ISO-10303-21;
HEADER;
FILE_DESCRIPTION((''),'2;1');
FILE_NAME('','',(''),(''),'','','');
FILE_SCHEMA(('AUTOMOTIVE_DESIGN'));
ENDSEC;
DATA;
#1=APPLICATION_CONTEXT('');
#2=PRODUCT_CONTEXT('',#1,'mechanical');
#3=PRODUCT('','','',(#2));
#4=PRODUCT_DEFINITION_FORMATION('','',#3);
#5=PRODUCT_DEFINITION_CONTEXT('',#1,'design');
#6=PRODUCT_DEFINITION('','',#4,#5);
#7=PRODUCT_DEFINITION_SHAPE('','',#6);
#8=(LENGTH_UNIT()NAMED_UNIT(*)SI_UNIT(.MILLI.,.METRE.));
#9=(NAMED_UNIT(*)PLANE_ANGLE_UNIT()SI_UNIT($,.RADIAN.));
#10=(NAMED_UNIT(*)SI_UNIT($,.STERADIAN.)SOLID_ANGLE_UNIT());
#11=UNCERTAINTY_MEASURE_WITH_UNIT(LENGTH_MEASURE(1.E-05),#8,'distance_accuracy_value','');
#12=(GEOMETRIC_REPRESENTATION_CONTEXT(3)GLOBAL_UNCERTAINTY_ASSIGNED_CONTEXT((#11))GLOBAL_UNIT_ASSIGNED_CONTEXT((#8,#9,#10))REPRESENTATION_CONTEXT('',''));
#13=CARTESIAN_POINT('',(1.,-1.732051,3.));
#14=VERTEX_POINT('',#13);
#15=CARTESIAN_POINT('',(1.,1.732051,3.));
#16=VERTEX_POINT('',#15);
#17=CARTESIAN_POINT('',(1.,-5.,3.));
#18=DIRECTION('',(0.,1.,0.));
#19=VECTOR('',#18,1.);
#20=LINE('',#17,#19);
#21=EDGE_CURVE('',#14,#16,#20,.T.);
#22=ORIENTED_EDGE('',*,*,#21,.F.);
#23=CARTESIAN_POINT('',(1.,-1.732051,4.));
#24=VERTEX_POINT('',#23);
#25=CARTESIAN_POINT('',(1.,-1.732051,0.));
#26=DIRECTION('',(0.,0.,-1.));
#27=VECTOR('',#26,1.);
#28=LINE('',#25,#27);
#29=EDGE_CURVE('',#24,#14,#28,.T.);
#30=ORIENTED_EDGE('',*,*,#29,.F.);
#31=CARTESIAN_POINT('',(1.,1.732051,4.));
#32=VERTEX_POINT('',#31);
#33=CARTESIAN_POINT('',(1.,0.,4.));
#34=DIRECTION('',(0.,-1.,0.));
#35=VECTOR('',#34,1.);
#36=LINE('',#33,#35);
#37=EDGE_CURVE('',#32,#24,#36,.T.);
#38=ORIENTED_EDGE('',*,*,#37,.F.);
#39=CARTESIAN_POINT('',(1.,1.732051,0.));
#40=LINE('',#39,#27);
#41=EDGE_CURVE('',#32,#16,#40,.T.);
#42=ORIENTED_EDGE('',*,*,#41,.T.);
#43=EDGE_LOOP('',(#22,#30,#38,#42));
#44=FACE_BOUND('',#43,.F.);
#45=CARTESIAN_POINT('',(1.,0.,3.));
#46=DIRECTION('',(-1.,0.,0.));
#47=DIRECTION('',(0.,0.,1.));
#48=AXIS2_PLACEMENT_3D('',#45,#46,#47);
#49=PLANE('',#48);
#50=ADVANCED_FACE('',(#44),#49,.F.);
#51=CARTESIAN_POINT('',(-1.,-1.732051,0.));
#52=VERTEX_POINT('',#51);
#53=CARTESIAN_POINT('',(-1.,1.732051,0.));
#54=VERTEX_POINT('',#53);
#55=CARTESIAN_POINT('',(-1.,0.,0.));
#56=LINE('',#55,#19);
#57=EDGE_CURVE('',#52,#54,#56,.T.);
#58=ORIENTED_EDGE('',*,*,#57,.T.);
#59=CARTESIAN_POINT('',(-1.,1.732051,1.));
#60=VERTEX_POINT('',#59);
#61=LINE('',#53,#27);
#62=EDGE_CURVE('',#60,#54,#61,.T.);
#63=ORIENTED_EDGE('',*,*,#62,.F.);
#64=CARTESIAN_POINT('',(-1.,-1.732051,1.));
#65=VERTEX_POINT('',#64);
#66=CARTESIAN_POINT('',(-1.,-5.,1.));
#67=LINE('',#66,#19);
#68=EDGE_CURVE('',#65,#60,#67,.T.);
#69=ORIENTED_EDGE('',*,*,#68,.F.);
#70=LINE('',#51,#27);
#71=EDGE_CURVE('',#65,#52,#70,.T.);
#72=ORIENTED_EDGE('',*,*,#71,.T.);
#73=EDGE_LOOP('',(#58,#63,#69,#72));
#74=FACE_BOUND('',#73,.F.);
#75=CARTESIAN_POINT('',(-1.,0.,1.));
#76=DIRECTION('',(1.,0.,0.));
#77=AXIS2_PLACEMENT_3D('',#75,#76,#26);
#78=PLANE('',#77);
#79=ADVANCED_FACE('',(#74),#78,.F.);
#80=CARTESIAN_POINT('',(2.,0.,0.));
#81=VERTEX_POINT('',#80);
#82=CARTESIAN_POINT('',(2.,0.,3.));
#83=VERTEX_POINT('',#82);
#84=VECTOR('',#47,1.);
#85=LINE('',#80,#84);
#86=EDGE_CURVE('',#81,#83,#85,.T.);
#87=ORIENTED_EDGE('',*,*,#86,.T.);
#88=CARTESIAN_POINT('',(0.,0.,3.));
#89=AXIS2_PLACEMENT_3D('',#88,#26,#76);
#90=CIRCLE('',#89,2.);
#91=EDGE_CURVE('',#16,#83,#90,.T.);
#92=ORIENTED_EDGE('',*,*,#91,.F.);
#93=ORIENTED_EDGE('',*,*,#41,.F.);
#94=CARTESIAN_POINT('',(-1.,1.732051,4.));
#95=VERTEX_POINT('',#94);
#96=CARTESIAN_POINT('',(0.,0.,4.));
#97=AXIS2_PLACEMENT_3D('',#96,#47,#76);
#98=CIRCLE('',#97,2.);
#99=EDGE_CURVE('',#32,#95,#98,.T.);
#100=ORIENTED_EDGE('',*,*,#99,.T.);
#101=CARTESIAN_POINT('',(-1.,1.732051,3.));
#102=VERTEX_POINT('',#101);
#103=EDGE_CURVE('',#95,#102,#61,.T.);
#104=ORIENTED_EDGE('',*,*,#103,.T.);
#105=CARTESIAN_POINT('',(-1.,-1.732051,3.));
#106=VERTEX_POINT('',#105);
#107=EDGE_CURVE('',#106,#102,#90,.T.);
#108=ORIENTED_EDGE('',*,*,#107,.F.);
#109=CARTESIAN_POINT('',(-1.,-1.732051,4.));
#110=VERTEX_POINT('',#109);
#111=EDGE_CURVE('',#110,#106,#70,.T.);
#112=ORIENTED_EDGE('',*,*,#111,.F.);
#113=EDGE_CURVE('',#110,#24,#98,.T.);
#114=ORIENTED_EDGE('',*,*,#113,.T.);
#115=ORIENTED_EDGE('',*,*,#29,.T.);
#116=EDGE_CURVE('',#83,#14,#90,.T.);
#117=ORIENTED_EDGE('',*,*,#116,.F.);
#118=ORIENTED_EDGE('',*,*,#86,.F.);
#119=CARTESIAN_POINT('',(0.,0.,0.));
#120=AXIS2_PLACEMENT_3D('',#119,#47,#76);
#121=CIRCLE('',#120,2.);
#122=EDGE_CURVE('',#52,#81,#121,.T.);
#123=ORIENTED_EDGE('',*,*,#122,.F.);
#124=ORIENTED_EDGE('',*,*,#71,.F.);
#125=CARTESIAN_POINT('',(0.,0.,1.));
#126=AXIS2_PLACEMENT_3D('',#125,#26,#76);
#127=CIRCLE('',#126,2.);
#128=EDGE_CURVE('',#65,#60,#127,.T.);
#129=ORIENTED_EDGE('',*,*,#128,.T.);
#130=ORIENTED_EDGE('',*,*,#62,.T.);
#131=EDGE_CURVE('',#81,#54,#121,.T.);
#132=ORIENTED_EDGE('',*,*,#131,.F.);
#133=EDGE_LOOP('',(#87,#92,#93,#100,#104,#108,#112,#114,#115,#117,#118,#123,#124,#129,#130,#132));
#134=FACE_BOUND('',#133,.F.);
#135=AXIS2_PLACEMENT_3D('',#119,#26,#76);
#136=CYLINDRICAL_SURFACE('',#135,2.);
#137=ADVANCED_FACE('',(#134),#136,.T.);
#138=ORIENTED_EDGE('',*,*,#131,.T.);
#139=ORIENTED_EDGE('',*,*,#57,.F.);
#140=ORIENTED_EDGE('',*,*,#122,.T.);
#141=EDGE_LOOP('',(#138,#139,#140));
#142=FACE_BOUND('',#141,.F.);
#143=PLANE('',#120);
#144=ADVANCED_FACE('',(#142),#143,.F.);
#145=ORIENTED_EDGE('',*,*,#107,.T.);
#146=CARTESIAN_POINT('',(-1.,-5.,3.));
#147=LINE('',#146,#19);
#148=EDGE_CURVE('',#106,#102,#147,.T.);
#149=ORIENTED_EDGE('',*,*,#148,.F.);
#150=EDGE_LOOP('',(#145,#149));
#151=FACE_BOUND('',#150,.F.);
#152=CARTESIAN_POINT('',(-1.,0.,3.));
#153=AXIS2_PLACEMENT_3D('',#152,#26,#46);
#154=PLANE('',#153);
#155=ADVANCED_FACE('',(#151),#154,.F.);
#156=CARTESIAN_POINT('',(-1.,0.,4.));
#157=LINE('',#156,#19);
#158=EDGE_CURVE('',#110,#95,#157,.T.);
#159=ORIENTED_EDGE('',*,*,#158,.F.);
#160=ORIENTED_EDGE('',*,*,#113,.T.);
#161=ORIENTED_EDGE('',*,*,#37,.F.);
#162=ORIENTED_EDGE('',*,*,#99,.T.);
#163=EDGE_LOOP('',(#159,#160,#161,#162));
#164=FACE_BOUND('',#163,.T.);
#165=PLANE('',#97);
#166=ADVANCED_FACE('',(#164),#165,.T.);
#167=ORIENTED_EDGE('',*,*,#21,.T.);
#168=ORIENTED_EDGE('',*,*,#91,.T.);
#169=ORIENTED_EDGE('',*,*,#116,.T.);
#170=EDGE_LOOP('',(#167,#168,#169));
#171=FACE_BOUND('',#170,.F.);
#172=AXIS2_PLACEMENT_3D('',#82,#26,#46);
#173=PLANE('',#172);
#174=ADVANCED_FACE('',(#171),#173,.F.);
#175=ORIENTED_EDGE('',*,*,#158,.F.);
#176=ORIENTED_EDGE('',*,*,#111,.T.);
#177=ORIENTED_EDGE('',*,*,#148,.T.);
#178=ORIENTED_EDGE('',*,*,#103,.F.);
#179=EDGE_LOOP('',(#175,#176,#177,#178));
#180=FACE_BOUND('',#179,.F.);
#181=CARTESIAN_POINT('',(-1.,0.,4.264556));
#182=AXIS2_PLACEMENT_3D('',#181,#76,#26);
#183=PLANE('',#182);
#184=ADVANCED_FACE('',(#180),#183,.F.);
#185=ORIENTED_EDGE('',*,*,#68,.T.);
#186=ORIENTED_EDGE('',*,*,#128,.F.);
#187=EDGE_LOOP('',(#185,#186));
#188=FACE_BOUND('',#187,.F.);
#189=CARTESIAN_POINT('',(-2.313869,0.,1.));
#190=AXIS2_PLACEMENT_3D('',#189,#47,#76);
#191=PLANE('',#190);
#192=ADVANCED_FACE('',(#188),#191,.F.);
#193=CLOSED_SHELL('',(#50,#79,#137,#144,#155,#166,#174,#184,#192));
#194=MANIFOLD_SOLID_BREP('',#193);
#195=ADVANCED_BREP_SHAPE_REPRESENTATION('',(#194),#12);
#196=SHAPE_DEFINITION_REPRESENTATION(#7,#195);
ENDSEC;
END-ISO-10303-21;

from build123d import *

# Parameters (mm, degrees)
SKETCH1_R           = 2
BOSS_EXTRUDE1_DEPTH = 4
CUT_EXTRUDE1_DEPTH  = 5


with BuildPart() as part:
    # Sketch1 → Boss-Extrude1 (new body)
    with BuildSketch(Plane.XY):
        Circle(SKETCH1_R)
    extrude(amount=BOSS_EXTRUDE1_DEPTH)

    # Sketch2 → Cut-Extrude1 (cut, symmetric)
    with BuildSketch(Plane(origin=(0, 0, 0), x_dir=(1, 0, 0), z_dir=(0, 1, 0))):
        Polygon((2, -3), (1, -3), (1, -4.221507546), (-1, -4.26455627), (-1, -3), (-2.31386892, -3), (-2.31386892, -1), (-1, -1), (-1, 0.234035397), (-2.586760402, 0.199881392), (-2.489753088, -4.306979917), (2, -4.619024092), (2.554571986, -4.221507546), align=None)
    extrude(amount=CUT_EXTRUDE1_DEPTH, both=True, mode=Mode.SUBTRACT)


solid = part.part
